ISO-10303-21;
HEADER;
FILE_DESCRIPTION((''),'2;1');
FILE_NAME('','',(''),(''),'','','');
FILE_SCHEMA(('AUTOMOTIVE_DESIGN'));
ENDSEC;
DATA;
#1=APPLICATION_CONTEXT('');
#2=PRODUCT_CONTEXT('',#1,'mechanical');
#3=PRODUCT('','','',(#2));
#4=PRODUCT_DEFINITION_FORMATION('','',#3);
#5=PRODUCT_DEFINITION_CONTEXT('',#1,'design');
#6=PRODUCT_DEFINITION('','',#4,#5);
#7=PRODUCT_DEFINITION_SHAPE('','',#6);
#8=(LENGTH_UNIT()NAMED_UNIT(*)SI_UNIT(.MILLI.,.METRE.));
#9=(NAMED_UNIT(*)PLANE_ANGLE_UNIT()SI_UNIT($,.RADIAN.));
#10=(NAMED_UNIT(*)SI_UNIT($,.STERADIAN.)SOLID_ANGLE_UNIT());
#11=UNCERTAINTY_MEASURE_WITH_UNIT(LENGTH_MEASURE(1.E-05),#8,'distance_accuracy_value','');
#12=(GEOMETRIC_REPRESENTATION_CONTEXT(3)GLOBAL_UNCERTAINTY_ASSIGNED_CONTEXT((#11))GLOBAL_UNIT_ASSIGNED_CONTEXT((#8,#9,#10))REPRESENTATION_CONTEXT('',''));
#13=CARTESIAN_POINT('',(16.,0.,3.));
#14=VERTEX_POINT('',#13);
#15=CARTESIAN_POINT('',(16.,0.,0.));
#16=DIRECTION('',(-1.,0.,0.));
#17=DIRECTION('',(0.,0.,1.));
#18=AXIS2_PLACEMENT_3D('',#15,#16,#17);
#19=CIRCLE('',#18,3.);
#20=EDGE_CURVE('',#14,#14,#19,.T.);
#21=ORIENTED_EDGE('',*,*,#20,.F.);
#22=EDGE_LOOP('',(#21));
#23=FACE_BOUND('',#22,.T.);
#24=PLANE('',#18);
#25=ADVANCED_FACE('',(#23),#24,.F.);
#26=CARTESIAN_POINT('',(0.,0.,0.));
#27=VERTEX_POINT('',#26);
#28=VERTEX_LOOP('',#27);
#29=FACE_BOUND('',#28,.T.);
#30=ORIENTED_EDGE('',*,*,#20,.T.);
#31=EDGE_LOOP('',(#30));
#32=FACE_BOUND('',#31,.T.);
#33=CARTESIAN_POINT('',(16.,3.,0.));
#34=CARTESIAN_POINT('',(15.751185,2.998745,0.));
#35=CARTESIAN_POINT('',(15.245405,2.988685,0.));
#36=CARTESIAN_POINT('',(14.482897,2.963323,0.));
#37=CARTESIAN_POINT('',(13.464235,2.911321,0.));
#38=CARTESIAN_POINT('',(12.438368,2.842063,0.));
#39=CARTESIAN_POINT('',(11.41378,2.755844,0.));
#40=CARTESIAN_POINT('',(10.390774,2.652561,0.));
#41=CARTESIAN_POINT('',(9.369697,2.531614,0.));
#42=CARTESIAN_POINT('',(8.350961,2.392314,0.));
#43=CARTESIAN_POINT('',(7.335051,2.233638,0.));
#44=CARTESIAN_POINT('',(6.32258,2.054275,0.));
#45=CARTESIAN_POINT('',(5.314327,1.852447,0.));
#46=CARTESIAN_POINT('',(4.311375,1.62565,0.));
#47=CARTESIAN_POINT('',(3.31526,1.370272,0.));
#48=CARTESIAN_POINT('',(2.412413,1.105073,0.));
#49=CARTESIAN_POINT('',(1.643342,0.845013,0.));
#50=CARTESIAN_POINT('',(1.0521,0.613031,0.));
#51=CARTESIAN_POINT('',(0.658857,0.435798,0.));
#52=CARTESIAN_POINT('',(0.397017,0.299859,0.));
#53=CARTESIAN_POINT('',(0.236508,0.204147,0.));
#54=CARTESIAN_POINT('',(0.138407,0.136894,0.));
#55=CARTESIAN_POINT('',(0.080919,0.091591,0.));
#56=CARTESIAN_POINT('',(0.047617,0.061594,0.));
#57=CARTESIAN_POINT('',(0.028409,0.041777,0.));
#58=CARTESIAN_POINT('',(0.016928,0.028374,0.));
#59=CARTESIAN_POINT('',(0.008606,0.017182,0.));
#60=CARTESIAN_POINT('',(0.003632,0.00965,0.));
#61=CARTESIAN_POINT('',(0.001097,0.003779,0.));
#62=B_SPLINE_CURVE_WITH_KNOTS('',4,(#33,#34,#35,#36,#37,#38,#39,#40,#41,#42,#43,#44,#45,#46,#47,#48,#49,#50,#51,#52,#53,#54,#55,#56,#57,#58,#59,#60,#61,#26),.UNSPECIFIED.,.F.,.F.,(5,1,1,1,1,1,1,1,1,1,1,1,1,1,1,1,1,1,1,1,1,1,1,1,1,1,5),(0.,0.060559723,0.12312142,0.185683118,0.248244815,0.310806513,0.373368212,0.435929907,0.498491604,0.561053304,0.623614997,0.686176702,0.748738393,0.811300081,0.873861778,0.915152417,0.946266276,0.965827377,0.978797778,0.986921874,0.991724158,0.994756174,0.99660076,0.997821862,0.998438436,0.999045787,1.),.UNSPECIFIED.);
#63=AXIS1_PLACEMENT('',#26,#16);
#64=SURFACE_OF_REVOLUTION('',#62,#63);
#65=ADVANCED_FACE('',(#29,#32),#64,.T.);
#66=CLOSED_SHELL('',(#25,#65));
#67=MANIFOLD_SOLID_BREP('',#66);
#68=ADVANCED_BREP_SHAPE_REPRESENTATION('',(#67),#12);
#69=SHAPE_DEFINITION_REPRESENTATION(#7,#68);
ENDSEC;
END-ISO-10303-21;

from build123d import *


with BuildPart() as part:
    # Sketch5 → Revolve5 (revolve)
    with BuildSketch(Plane.XY):
        with BuildLine():
            Line((0, 0), (16, 0))
            Line((16, 0), (16, 3))
            add(Edge.make_bspline(
                [(0, 0), (0.001096863, 0.003779096), (0.003631848, 0.009650433), (0.008606384, 0.017181639), (0.016928411, 0.028374239), (0.028408902, 0.041777349), (0.047617455, 0.061593985), (0.080918827, 0.091591353), (0.138407277, 0.136894154), (0.236507893, 0.204146546), (0.397017382, 0.299858917), (0.658856664, 0.435798154), (1.052100326, 0.613030957), (1.643341906, 0.845012811), (2.412412965, 1.105072545), (3.315260305, 1.370271887), (4.31137478, 1.625650098), (5.314326978, 1.852446785), (6.322580328, 2.05427491), (7.335050501, 2.233637642), (8.35096064, 2.392313803), (9.369697413, 2.531614393), (10.390773836, 2.652560887), (11.41377986, 2.755844286), (12.438368255, 2.842062503), (13.464234764, 2.911321396), (14.482896708, 2.963322736), (15.245405405, 2.988684827), (15.751185355, 2.998745499), (16, 3)],
                knots=[0, 0, 0, 0, 0, 0.000954213, 0.001561564, 0.002178138, 0.00339924, 0.005243826, 0.008275842, 0.013078126, 0.021202222, 0.034172623, 0.053733724, 0.084847583, 0.126138222, 0.188699919, 0.251261607, 0.313823298, 0.376385003, 0.438946696, 0.501508396, 0.564070093, 0.626631788, 0.689193487, 0.751755185, 0.814316882, 0.87687858, 0.939440277, 1, 1, 1, 1, 1], degree=4))
        make_face()
    revolve(axis=Axis((0, 0, 0), (1, 0, 0)))


solid = part.part
